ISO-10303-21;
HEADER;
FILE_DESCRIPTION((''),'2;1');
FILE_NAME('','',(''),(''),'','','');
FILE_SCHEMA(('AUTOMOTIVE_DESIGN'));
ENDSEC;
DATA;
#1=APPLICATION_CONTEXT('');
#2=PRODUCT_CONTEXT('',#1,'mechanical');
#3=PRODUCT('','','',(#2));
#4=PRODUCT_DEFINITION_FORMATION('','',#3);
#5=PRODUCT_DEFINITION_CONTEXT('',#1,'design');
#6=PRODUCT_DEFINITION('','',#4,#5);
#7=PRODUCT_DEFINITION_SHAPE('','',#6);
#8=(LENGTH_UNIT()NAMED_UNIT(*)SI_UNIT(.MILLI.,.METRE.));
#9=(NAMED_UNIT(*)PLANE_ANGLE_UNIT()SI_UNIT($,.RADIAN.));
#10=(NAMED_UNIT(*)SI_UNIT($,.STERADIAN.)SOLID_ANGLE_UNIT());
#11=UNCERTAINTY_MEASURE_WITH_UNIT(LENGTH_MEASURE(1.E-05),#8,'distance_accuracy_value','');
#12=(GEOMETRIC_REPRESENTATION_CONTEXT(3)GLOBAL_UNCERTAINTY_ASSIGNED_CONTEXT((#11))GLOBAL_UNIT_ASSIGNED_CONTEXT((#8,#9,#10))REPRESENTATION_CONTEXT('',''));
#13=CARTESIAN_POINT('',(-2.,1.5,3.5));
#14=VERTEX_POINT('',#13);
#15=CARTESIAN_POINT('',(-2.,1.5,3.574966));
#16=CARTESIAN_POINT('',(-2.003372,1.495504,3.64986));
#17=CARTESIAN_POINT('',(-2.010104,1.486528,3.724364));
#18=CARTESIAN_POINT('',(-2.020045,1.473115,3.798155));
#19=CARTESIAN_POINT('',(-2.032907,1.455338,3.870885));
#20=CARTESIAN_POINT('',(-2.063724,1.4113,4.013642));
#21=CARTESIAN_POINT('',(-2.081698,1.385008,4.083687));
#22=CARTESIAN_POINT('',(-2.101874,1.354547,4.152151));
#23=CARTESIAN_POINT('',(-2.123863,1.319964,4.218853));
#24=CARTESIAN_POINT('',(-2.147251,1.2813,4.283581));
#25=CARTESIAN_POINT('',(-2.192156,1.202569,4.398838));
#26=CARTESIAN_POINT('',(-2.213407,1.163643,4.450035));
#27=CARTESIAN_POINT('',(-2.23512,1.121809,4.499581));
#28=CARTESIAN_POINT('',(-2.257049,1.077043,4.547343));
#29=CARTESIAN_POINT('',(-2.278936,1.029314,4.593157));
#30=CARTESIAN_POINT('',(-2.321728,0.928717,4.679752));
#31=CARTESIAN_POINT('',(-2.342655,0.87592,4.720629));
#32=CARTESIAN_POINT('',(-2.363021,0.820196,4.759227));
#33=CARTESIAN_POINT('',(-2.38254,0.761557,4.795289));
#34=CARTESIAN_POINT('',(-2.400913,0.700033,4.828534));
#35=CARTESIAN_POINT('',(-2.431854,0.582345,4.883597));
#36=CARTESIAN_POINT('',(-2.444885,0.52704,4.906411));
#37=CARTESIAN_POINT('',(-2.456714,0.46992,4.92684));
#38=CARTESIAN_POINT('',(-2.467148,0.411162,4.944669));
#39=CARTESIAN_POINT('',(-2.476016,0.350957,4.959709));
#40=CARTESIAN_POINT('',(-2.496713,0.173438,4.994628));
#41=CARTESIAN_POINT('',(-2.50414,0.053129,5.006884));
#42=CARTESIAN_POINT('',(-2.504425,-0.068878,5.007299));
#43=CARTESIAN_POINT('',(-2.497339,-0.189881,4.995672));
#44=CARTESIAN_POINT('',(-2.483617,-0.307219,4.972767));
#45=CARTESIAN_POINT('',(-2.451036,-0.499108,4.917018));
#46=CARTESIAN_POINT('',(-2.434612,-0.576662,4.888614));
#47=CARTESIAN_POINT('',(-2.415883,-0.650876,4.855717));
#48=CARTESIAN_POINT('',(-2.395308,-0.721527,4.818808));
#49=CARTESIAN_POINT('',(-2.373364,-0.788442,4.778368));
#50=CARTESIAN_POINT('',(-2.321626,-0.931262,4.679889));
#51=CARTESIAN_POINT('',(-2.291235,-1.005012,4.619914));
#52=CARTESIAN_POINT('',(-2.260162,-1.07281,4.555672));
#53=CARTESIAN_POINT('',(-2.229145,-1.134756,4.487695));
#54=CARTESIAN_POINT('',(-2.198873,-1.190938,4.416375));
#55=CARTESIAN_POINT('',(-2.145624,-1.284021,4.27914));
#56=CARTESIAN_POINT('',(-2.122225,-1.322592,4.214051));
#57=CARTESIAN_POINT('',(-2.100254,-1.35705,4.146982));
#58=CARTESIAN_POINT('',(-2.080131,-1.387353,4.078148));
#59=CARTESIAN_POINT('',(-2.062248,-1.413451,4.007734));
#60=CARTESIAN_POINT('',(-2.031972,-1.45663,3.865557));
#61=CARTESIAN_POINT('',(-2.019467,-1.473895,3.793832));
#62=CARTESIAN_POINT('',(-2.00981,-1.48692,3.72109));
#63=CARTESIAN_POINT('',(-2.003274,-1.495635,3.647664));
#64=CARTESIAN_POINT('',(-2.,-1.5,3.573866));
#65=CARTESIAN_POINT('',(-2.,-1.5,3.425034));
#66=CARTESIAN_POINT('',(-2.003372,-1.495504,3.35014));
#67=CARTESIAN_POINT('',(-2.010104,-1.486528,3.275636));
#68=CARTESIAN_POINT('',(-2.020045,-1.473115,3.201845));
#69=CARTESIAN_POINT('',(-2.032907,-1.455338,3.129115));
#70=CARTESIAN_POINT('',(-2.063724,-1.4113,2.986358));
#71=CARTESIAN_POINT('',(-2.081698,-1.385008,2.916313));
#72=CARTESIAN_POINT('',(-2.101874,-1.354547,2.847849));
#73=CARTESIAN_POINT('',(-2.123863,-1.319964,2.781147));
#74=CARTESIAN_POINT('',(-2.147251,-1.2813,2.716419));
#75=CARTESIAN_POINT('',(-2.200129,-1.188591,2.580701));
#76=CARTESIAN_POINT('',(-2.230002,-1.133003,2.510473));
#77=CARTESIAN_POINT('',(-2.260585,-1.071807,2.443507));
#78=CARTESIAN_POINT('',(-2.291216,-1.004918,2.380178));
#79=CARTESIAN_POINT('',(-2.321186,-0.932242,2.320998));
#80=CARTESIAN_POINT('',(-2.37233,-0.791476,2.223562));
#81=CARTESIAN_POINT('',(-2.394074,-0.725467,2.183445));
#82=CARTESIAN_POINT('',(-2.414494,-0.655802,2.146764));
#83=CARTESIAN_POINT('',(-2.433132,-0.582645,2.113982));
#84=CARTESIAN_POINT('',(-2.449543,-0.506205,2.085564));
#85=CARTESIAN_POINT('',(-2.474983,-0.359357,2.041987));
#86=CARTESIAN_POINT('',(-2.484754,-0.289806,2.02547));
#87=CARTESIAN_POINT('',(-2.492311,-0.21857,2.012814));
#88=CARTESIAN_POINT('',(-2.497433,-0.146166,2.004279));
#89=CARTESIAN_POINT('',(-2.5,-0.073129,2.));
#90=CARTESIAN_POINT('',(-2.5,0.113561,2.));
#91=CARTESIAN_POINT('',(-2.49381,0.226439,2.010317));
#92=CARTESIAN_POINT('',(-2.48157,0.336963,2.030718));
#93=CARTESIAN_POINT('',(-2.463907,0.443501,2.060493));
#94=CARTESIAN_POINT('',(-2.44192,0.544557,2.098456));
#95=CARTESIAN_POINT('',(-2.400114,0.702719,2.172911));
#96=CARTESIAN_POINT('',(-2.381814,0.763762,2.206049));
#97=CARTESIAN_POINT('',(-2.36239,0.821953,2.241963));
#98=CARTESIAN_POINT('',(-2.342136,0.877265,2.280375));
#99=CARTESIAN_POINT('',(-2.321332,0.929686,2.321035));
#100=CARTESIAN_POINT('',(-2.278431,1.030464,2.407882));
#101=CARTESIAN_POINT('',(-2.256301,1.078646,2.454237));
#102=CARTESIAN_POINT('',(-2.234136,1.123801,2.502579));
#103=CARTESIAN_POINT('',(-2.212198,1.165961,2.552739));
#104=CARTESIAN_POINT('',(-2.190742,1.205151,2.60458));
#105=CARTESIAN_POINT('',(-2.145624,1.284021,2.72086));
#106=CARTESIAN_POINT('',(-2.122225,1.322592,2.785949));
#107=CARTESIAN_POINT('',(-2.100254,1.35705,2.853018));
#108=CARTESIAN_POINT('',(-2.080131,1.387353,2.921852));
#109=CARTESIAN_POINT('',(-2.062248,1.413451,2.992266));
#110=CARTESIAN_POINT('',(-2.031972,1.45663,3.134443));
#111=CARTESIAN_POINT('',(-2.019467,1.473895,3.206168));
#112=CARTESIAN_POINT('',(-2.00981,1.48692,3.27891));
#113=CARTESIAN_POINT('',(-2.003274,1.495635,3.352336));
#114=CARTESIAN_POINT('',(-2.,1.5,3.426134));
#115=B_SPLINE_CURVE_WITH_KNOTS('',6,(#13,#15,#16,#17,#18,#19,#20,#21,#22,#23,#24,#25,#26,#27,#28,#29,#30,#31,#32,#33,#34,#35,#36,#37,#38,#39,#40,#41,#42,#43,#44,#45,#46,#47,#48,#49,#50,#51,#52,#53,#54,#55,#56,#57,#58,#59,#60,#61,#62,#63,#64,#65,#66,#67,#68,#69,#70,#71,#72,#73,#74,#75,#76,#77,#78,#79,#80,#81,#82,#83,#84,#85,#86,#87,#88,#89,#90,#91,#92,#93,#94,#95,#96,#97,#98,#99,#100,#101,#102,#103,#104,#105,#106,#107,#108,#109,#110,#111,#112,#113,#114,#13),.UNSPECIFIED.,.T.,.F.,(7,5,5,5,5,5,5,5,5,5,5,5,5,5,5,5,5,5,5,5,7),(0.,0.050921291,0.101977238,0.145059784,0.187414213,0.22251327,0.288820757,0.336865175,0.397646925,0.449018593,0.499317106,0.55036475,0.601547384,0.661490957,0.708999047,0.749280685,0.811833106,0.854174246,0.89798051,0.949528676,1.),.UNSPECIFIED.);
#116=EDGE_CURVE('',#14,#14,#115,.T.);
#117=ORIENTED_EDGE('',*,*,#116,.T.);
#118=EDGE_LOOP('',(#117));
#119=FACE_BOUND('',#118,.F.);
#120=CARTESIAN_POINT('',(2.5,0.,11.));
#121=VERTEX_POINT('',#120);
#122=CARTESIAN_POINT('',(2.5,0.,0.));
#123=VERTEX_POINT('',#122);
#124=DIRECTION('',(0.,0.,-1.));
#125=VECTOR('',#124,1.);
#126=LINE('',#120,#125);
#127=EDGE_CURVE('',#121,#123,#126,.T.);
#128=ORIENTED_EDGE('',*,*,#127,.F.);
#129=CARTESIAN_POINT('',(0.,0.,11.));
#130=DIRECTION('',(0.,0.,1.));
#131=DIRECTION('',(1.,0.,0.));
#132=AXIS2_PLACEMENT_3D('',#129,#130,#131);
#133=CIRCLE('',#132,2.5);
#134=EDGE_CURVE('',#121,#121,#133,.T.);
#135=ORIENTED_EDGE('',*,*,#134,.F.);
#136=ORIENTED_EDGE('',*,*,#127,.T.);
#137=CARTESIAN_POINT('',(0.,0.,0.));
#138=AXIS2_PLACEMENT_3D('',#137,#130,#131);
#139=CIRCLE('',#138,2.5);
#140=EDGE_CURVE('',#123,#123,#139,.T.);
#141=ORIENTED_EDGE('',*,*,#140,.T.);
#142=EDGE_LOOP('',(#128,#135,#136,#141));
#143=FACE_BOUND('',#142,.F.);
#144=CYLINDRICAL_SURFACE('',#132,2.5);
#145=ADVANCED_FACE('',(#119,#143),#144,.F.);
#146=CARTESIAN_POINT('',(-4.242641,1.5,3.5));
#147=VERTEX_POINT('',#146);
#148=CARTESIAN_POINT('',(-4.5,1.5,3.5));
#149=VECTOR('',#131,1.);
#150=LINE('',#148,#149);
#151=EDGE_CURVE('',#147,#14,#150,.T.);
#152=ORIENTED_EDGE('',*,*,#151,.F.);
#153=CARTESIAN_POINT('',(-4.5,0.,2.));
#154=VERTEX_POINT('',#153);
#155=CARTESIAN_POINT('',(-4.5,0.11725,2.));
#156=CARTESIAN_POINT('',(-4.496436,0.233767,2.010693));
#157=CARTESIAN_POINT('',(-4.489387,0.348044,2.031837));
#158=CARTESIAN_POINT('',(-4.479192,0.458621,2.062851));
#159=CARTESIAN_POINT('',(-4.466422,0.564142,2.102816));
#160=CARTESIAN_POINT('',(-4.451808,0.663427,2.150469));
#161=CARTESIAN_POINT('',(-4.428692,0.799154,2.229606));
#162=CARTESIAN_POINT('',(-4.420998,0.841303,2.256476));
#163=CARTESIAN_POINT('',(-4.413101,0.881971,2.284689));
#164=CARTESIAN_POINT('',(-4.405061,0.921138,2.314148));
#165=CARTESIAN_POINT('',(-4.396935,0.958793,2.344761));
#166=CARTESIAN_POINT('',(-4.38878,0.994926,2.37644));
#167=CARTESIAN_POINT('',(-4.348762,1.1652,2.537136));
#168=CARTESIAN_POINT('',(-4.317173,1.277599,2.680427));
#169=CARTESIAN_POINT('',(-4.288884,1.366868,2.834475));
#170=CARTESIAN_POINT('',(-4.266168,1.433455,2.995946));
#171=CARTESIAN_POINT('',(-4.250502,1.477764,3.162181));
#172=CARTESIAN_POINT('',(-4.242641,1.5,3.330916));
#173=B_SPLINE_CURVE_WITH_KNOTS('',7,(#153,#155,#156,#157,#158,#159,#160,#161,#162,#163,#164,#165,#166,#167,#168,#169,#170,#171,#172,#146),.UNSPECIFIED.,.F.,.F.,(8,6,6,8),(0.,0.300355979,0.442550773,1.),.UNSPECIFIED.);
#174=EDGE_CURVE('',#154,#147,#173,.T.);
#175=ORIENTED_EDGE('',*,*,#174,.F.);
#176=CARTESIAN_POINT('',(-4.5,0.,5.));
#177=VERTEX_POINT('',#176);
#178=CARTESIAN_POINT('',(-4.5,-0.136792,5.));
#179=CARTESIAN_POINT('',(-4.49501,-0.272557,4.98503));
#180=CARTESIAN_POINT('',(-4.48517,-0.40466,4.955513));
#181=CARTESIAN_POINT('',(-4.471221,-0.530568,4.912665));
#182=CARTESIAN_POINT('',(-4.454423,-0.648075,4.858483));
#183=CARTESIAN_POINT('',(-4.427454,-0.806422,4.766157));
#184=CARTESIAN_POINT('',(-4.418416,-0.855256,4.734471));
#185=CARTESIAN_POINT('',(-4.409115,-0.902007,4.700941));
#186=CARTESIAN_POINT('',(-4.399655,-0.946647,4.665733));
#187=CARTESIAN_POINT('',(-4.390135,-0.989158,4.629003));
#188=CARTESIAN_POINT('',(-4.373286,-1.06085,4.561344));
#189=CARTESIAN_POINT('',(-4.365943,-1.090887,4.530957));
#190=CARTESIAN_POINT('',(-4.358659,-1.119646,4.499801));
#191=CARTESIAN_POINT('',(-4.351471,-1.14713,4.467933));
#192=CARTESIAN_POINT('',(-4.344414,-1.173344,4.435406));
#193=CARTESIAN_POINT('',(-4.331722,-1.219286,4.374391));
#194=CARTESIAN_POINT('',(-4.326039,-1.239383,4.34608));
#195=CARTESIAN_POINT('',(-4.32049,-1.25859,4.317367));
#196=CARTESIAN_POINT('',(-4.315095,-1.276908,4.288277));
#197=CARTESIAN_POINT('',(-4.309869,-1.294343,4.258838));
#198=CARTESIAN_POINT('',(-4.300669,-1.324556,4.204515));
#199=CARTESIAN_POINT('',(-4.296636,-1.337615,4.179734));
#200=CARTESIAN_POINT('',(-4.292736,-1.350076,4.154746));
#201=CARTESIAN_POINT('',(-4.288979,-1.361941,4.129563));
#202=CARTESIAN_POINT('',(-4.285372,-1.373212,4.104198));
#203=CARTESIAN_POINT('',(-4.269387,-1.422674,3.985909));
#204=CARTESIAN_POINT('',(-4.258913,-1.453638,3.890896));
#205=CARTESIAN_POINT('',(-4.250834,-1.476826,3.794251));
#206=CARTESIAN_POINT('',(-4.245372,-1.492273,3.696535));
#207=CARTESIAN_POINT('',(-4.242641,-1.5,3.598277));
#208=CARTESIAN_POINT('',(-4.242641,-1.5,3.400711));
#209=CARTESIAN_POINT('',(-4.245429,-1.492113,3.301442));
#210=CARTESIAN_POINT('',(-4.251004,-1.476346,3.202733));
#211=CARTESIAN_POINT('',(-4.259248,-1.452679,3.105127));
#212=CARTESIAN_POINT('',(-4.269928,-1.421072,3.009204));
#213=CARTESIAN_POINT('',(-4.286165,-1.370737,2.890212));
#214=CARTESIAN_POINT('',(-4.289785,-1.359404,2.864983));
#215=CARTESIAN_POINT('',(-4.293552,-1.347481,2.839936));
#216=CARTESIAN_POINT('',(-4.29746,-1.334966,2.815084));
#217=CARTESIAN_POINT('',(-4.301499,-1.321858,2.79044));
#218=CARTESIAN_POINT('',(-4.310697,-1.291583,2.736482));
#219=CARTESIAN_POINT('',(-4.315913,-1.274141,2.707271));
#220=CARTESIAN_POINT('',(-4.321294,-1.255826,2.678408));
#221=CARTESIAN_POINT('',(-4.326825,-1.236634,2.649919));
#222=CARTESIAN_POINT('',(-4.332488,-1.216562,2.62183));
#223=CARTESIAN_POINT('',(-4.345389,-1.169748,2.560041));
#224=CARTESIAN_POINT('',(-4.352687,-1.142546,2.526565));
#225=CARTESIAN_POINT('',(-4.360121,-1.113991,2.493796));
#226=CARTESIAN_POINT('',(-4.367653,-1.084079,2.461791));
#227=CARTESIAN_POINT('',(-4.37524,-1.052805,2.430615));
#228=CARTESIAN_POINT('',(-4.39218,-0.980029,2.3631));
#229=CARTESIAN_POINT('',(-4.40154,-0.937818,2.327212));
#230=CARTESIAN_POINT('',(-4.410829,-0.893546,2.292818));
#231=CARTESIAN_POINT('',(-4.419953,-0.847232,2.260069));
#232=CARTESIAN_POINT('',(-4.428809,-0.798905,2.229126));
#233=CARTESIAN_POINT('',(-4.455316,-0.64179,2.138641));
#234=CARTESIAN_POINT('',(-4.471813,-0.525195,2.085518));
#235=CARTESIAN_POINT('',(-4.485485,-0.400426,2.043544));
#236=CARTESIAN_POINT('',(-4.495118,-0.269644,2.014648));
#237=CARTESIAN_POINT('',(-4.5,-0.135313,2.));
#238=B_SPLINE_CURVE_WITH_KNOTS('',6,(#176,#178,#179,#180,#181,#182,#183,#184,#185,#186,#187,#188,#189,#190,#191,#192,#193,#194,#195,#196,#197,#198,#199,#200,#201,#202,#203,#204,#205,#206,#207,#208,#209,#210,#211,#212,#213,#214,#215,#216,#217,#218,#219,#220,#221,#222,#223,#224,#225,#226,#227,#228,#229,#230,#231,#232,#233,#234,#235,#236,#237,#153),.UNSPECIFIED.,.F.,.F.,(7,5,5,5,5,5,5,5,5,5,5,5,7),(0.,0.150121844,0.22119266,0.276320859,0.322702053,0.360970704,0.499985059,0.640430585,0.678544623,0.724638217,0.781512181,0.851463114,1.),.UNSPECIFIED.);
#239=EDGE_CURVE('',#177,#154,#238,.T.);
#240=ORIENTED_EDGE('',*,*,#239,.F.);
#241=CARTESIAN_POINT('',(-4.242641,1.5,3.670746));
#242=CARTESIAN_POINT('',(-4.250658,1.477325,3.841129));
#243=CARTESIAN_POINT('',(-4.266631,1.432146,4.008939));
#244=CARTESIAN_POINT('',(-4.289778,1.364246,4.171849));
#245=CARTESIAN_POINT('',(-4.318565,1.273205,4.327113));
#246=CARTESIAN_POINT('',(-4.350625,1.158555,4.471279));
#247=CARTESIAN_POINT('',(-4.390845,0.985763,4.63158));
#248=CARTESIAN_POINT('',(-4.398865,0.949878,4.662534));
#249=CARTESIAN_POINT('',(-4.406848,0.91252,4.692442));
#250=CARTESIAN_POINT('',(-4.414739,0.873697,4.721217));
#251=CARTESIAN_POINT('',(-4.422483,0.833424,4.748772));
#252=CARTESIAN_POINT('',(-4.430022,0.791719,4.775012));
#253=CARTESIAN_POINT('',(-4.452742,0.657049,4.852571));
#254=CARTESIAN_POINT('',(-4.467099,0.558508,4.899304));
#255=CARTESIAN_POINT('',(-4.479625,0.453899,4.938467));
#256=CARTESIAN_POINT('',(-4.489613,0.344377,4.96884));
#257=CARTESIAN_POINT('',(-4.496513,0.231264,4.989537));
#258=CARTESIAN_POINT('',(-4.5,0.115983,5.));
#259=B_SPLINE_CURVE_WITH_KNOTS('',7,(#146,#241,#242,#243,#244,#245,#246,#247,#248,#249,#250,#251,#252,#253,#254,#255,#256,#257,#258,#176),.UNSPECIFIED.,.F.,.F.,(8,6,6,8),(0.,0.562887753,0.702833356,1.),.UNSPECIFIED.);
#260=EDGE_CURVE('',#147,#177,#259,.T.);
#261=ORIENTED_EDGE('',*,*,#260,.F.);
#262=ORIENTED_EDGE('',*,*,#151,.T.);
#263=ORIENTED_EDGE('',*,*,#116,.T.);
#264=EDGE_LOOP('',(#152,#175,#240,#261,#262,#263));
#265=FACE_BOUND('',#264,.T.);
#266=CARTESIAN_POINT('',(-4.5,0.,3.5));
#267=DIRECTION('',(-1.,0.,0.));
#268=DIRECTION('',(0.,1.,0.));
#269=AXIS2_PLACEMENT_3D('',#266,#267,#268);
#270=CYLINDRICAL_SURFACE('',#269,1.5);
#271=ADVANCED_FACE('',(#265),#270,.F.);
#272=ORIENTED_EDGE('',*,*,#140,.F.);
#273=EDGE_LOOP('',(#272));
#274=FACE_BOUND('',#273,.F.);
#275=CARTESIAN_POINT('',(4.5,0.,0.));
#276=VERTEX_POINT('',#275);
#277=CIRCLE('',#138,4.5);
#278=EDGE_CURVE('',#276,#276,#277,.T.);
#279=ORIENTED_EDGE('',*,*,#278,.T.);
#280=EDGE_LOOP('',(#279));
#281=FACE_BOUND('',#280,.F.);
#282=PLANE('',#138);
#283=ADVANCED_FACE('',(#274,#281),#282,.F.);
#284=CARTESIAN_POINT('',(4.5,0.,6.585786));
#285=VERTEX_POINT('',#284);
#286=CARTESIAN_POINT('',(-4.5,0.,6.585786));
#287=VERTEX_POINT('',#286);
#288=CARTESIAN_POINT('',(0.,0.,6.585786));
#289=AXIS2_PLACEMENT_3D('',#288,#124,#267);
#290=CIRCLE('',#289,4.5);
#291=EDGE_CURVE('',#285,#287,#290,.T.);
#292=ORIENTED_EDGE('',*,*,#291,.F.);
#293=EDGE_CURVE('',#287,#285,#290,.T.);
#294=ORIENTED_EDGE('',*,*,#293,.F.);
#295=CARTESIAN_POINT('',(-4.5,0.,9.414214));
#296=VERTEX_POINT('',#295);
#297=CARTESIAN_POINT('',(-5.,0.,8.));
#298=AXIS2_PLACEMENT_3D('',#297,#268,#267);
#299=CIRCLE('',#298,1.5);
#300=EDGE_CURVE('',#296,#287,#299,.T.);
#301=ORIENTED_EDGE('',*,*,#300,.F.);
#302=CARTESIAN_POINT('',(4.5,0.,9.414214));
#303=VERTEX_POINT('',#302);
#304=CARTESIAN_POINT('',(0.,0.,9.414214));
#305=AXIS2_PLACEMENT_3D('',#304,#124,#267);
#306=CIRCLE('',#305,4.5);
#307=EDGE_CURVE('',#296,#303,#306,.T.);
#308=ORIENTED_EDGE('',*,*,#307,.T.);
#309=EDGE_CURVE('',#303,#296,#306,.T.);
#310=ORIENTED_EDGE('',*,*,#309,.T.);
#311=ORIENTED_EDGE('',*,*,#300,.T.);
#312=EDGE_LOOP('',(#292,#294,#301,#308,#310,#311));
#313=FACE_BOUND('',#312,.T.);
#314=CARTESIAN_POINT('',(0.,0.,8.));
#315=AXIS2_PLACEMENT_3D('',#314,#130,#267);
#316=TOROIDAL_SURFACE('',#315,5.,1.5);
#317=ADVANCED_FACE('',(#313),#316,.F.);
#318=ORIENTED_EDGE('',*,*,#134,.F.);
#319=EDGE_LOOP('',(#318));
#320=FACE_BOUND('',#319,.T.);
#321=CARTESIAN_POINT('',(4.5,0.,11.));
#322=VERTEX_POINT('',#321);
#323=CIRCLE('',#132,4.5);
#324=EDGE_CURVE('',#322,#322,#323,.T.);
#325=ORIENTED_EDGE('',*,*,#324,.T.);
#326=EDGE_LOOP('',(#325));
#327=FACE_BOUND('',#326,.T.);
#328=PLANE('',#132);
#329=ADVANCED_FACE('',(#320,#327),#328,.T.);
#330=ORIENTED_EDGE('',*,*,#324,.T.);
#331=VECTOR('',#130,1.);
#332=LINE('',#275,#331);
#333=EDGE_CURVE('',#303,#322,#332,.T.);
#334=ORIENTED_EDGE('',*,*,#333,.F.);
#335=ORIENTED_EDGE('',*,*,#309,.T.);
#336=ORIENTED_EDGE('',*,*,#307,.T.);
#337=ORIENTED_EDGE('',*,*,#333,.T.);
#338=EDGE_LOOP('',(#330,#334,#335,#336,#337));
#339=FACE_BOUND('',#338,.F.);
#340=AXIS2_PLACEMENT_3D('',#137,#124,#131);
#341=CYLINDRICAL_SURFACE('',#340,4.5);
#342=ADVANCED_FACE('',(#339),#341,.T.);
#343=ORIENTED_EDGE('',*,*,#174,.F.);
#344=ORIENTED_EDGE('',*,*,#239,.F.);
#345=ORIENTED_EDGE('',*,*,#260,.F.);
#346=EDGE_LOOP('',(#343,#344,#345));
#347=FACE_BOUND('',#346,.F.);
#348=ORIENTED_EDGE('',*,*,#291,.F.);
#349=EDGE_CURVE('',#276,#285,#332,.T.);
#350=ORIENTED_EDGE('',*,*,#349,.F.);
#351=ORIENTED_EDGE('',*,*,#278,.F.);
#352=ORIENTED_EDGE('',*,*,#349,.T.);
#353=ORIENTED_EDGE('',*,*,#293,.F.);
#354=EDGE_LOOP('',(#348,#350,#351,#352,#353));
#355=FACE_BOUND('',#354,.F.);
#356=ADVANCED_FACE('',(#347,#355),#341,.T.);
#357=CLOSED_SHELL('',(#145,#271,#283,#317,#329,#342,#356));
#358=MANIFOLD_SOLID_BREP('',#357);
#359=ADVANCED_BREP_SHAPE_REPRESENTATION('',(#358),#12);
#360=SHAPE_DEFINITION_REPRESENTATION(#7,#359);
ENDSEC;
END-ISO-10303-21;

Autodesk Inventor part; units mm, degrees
ref_plane "XZ Plane" through (0, 0, 0) normal (0, 1, 0) x (-1, 0, 0)
ref_plane "XY Plane" through (0, 0, 0) normal (0, 0, 1) x (1, 0, 0)
sketch "Sketch1" plane through (0, 0, 0) normal (0, 0, 1) x (1, 0, 0)
  circle A0 centre (0, 0) radius 4.5
  dimension "d0" = 9
extrude "Extrusion1" add sketch "Sketch1" along normal blind 11
sketch "Sketch2" plane through (0, 0, 11) normal (0, 0, 1) x (1, 0, 0)
  circle A0 centre (0, 0) radius 4.5 projected
  circle A1 centre (0, 0) radius 2.5
  dimension "d3" = 5
extrude "Extrusion2" cut sketch "Sketch2" against normal up to next contours A1
ref_plane "Work Plane1" through (-4.5, 0, 0) normal (1, 0, 0) x (0, 1, 0)
sketch "Sketch3" plane through (-4.5, 0, 0) normal (1, 0, 0) x (0, 1, 0)
  circle A0 centre (0, 3.5) radius 1.5
  point P0 (0, 0)
  dimension "d6" = 3.5
  dimension "d7" = 3
extrude "Extrusion3" cut sketch "Sketch3" along normal up to next
thread "Thread1" size "M3x0.5" class "6H" standard "ANSI Metric M Profile" full length
sketch "Sketch4" plane through (0, 0, 0) normal (0, 1, 0) x (-1, 0, 0)
  line L0 (4.5, 0) -> (4.5, 11) projected
  circle A0 centre (5, 8) radius 1.5
  line L1 (0, 13.2) -> (0, -2.2) projected
  point P0 (0, 0)
  dimension "d12" = 3
  dimension "d13" = 0.5
  dimension "d14" = 8
revolve "Revolution1" cut sketch "Sketch4" angle 360 about axis through (0, 0, 11) along (0, 0, -1)
equation "\"d8\" = d7"
properties part number "DriveGearMK8" material "Aluminum 6061"
